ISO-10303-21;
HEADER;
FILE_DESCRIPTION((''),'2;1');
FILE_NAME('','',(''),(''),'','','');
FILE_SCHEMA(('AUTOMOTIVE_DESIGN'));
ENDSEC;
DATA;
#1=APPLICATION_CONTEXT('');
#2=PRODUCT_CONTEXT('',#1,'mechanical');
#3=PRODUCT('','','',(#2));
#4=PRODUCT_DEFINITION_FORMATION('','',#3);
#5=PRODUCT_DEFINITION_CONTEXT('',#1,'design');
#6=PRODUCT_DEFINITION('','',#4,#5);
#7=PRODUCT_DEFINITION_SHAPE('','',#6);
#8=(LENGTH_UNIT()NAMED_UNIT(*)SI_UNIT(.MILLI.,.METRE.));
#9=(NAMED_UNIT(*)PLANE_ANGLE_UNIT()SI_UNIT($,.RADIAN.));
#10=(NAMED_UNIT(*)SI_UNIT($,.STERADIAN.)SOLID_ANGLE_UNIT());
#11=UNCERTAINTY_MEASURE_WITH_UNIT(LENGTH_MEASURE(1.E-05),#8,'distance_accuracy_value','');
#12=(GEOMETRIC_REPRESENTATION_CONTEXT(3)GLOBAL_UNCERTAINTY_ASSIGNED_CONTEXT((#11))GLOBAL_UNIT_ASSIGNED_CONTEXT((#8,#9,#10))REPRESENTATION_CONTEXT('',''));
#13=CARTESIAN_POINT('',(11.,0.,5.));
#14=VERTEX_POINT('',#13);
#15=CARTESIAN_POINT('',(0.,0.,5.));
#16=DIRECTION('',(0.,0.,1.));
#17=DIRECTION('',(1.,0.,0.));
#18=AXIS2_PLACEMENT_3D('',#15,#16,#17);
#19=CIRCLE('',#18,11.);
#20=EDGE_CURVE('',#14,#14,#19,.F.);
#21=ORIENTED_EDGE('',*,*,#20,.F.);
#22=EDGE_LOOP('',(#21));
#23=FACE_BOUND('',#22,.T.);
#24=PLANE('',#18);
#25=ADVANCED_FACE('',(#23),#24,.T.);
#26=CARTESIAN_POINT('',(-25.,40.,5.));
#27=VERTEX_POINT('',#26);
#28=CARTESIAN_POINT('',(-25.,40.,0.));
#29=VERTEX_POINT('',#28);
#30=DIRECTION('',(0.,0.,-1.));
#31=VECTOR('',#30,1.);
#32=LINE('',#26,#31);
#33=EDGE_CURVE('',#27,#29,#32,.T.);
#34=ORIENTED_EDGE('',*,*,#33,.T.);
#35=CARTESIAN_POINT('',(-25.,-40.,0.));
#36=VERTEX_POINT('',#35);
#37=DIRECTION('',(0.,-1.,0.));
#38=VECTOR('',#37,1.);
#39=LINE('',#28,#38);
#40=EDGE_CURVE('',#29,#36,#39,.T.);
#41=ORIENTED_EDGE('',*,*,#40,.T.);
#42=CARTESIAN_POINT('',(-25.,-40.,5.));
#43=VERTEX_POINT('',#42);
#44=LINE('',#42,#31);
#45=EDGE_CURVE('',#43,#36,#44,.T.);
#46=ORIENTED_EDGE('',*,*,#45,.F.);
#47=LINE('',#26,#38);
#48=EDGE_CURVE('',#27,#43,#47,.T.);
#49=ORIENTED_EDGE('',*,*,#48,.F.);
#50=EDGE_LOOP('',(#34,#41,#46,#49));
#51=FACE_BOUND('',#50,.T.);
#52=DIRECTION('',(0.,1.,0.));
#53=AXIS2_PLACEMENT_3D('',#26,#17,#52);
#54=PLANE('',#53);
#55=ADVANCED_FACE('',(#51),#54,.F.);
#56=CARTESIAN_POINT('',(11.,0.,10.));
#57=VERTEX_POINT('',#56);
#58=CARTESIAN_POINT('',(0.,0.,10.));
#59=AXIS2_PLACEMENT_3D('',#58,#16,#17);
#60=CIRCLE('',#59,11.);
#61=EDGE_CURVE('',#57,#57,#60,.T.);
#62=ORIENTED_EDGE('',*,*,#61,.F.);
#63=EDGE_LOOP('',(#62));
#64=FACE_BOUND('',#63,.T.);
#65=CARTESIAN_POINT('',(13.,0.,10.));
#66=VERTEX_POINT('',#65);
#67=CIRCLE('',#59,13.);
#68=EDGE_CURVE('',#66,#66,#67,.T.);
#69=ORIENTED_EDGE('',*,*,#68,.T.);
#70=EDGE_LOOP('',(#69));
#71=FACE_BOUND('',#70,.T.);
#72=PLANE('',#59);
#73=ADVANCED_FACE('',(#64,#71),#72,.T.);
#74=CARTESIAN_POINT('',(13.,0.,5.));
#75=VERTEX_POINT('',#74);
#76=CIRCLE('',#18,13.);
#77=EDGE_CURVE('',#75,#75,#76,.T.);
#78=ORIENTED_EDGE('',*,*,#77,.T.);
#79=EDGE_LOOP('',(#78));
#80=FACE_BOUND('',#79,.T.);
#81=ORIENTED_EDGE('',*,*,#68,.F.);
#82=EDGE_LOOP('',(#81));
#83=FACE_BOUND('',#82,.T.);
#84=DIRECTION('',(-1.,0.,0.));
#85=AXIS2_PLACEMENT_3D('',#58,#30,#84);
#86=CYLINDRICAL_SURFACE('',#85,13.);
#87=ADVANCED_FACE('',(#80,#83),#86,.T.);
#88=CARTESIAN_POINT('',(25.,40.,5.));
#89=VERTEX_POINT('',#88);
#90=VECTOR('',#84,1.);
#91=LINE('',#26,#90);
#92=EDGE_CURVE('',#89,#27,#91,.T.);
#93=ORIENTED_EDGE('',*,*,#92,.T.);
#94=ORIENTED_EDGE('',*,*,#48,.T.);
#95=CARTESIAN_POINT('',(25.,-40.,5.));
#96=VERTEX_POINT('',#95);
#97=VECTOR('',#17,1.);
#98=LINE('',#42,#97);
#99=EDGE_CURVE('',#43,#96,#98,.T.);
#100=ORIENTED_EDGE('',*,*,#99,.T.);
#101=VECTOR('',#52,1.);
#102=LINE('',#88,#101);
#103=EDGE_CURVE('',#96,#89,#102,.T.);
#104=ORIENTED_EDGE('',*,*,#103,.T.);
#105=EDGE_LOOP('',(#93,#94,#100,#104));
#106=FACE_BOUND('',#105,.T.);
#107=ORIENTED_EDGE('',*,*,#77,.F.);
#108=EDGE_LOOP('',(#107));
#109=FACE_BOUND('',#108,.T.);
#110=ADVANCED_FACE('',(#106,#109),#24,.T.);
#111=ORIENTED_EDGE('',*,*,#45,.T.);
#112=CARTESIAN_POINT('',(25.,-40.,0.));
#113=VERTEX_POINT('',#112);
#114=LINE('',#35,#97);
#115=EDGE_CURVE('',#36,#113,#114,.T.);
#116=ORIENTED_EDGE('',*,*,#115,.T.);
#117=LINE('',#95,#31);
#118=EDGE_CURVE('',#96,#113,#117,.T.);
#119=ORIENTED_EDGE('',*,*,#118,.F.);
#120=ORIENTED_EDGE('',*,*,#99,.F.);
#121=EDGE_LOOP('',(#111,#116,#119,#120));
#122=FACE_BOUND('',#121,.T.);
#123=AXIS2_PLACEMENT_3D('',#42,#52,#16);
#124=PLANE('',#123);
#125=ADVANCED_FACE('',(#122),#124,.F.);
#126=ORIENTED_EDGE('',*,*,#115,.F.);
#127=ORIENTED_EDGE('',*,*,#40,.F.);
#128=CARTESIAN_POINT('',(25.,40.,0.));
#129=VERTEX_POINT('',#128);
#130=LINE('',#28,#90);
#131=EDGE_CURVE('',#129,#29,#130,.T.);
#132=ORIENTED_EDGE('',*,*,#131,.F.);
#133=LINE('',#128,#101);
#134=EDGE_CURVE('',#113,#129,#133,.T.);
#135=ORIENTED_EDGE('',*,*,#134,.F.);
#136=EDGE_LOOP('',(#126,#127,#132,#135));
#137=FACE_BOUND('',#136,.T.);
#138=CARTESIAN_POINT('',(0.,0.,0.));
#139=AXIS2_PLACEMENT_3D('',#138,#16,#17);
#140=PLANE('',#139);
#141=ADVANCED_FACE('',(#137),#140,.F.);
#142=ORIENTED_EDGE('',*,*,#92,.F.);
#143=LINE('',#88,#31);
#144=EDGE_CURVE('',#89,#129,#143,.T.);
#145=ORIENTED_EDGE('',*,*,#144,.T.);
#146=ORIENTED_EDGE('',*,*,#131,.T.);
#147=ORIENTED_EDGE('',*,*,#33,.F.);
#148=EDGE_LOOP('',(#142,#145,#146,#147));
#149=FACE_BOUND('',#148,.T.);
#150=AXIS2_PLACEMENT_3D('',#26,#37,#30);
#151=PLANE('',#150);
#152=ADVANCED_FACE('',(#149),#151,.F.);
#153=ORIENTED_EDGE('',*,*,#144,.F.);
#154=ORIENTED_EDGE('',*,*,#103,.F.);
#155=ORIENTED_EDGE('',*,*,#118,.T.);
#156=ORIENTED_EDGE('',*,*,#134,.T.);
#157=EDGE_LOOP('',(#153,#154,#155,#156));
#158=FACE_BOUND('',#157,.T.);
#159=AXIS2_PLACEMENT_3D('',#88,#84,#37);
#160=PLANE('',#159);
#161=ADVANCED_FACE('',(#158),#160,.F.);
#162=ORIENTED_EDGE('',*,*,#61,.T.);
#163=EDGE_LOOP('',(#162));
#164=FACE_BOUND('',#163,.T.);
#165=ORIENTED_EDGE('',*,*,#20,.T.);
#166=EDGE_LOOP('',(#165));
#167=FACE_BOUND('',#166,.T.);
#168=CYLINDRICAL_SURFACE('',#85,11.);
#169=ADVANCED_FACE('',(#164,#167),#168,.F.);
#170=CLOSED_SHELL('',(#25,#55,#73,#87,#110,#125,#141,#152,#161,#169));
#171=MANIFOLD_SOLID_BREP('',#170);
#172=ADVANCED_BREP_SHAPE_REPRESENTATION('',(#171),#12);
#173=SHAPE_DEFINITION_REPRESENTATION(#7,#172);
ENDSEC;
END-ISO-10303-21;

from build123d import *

# Parameters (mm, degrees)
SKETCH1_W           = 50
SKETCH1_H           = 80
BOSS_EXTRUDE2_DEPTH = 5
SKETCH2_R           = 13
SKETCH2_R_2         = 11
BOSS_EXTRUDE3_DEPTH = 5


with BuildPart() as part:
    # Sketch1 → Boss-Extrude2 (new body)
    with BuildSketch(Plane.XY):
        Rectangle(SKETCH1_W, SKETCH1_H)
    extrude(amount=BOSS_EXTRUDE2_DEPTH)

    # Sketch2 → Boss-Extrude3 (add)
    with BuildSketch(Plane.XY.offset(5)):
        Circle(SKETCH2_R)
        Circle(SKETCH2_R_2, mode=Mode.SUBTRACT)
    extrude(amount=BOSS_EXTRUDE3_DEPTH)


solid = part.part
